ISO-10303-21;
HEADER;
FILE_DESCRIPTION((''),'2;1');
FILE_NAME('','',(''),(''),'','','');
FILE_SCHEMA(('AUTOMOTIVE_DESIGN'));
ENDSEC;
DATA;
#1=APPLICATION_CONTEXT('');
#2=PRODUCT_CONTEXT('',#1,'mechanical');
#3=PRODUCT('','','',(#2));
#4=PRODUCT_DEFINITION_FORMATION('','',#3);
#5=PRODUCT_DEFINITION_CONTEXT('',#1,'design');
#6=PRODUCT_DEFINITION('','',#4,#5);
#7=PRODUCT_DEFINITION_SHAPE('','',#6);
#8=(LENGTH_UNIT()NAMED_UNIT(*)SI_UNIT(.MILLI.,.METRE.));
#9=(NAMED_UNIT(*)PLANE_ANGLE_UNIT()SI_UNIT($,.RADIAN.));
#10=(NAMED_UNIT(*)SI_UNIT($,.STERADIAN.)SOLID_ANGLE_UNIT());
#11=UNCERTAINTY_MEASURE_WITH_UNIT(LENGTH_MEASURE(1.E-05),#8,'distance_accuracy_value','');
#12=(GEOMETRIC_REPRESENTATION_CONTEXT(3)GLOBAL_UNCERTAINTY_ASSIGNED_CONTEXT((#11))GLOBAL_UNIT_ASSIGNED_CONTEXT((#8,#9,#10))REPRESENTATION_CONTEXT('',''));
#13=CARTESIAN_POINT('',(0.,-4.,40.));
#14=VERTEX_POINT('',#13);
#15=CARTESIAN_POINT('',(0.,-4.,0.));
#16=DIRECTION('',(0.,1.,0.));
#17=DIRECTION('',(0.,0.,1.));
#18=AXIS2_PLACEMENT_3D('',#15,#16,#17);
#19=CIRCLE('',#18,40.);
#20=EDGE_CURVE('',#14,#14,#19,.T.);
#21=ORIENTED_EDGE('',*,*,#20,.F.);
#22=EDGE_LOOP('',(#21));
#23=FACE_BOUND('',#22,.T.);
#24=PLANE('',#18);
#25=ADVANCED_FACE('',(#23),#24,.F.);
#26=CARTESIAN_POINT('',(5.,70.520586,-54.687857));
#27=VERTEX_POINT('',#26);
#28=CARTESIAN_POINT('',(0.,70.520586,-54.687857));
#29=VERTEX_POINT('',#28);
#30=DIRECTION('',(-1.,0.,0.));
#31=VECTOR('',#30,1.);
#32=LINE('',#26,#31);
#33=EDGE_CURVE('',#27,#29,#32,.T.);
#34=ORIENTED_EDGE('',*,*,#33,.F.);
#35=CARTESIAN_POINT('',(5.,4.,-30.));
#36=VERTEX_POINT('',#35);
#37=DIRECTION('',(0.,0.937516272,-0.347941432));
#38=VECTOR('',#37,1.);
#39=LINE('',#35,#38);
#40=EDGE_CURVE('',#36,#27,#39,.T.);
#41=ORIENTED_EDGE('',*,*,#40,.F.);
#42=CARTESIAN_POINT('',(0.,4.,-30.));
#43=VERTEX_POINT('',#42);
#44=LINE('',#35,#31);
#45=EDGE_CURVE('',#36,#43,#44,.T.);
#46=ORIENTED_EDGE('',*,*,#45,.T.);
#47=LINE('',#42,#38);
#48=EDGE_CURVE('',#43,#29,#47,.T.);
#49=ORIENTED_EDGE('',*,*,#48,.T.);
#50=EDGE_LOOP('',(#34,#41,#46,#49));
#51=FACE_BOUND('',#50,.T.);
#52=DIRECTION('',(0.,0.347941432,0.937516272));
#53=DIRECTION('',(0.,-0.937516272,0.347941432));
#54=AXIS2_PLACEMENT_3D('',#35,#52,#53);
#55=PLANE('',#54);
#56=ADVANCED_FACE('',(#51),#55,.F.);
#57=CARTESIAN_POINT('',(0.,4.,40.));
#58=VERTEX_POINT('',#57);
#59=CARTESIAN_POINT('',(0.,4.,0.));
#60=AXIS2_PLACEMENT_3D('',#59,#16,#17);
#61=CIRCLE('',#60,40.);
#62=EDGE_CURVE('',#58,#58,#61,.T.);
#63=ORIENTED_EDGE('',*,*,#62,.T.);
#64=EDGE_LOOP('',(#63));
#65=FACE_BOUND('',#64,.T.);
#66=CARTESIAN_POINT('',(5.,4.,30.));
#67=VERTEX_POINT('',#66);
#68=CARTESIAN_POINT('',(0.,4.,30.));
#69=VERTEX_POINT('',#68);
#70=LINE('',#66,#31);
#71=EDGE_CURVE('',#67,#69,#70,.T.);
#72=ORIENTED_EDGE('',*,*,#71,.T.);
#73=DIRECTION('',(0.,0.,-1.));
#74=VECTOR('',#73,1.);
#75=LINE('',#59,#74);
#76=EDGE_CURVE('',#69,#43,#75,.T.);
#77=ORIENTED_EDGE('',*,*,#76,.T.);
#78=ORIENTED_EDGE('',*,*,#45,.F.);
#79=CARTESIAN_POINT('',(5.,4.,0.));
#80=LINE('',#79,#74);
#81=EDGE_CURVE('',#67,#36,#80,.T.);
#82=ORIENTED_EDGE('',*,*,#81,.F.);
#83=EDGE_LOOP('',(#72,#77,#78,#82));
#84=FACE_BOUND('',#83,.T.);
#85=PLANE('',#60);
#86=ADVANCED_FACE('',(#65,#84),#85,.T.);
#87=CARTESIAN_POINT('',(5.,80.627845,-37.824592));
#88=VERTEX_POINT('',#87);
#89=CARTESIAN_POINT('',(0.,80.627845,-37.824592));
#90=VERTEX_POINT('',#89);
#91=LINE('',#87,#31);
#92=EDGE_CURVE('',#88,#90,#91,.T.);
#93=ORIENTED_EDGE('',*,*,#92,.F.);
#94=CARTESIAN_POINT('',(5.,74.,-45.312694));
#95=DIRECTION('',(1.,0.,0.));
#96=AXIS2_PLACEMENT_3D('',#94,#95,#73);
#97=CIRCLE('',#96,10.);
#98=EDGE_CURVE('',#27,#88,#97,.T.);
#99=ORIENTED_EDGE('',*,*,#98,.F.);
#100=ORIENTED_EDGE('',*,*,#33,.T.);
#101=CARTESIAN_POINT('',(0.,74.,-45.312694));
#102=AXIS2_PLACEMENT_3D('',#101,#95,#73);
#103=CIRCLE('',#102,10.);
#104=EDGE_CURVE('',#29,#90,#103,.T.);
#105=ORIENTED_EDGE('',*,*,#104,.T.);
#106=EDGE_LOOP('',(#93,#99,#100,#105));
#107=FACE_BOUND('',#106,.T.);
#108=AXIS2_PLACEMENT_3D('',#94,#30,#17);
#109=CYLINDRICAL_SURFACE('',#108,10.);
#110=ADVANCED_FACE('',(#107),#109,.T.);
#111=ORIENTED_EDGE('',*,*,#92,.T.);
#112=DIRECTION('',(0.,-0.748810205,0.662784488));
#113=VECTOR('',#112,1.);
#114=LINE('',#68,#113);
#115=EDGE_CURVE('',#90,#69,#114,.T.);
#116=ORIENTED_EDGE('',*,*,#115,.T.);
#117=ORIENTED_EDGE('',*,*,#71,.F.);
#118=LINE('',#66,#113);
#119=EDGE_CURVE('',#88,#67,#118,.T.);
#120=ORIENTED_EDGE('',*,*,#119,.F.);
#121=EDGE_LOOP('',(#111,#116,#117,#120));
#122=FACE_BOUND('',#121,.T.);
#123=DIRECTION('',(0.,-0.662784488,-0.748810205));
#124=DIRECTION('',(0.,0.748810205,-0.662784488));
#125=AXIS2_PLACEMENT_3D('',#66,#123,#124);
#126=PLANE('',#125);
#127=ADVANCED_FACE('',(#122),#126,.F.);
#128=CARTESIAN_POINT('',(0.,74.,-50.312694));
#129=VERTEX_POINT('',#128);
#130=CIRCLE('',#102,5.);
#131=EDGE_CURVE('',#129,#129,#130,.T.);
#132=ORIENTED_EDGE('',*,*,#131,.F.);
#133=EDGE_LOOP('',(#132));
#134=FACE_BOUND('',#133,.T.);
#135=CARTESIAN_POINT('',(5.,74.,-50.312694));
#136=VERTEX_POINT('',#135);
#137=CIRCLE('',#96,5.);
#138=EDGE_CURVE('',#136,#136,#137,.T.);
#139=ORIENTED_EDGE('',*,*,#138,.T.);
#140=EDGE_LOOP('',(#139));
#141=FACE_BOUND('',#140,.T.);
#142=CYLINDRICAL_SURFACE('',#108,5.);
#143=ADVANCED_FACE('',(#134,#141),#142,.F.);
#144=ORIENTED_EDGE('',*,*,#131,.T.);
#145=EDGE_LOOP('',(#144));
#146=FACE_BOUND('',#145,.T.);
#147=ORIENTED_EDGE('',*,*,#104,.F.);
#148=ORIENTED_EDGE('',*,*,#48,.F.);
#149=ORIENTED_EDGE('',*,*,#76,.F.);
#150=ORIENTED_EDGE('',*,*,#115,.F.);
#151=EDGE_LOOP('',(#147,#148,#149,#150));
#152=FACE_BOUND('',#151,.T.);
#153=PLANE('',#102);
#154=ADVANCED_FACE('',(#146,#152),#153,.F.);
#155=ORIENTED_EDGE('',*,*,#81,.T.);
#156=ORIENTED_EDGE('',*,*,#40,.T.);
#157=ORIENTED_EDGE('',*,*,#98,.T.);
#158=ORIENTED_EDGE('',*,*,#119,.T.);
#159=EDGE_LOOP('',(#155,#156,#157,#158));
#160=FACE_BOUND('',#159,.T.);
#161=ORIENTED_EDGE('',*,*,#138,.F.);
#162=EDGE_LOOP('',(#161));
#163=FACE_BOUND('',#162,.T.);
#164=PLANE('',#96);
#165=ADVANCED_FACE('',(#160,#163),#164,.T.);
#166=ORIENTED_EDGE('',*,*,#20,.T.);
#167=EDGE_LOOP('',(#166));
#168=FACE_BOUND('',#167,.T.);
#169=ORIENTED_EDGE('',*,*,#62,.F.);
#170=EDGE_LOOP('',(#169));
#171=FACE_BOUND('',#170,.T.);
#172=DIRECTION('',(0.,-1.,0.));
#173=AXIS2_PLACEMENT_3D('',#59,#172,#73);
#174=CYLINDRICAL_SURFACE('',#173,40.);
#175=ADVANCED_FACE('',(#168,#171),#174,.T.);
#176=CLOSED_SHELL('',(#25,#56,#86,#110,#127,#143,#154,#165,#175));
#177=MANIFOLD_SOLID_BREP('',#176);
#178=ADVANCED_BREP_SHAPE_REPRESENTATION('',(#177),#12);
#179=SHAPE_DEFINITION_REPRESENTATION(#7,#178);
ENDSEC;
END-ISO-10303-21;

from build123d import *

# Parameters (mm, degrees)
SKETCH1_R           = 40
BOSS_EXTRUDE1_DEPTH = 4
SKETCH8_R           = 5
BOSS_EXTRUDE3_DEPTH = 5


with BuildPart() as part:
    # Sketch1 → Boss-Extrude1 (new body, symmetric)
    with BuildSketch(Plane(origin=(0, 0, 0), x_dir=(1, 0, 0), z_dir=(0, 1, 0))):
        Circle(SKETCH1_R)
    extrude(amount=BOSS_EXTRUDE1_DEPTH, both=True)

    # Sketch8 → Boss-Extrude3 (add)
    with BuildSketch(Plane(origin=(0, 0, 0), x_dir=(0, 0, -1), z_dir=(1, 0, 0))):
        with BuildLine():
            Line((0, 4), (-30, 4))
            Line((-30, 4), (37.824592442, 80.62784488))
            ThreePointArc((37.824592442, 80.62784488), (50.453649811, 82.577329326), (54.687857205, 70.520585679))
            Line((54.687857205, 70.520585679), (30, 4))
            Line((30, 4), (0, 4))
        make_face()
        with Locations((45.312694487, 74)):
            Circle(SKETCH8_R, mode=Mode.SUBTRACT)
    extrude(amount=BOSS_EXTRUDE3_DEPTH)


solid = part.part
